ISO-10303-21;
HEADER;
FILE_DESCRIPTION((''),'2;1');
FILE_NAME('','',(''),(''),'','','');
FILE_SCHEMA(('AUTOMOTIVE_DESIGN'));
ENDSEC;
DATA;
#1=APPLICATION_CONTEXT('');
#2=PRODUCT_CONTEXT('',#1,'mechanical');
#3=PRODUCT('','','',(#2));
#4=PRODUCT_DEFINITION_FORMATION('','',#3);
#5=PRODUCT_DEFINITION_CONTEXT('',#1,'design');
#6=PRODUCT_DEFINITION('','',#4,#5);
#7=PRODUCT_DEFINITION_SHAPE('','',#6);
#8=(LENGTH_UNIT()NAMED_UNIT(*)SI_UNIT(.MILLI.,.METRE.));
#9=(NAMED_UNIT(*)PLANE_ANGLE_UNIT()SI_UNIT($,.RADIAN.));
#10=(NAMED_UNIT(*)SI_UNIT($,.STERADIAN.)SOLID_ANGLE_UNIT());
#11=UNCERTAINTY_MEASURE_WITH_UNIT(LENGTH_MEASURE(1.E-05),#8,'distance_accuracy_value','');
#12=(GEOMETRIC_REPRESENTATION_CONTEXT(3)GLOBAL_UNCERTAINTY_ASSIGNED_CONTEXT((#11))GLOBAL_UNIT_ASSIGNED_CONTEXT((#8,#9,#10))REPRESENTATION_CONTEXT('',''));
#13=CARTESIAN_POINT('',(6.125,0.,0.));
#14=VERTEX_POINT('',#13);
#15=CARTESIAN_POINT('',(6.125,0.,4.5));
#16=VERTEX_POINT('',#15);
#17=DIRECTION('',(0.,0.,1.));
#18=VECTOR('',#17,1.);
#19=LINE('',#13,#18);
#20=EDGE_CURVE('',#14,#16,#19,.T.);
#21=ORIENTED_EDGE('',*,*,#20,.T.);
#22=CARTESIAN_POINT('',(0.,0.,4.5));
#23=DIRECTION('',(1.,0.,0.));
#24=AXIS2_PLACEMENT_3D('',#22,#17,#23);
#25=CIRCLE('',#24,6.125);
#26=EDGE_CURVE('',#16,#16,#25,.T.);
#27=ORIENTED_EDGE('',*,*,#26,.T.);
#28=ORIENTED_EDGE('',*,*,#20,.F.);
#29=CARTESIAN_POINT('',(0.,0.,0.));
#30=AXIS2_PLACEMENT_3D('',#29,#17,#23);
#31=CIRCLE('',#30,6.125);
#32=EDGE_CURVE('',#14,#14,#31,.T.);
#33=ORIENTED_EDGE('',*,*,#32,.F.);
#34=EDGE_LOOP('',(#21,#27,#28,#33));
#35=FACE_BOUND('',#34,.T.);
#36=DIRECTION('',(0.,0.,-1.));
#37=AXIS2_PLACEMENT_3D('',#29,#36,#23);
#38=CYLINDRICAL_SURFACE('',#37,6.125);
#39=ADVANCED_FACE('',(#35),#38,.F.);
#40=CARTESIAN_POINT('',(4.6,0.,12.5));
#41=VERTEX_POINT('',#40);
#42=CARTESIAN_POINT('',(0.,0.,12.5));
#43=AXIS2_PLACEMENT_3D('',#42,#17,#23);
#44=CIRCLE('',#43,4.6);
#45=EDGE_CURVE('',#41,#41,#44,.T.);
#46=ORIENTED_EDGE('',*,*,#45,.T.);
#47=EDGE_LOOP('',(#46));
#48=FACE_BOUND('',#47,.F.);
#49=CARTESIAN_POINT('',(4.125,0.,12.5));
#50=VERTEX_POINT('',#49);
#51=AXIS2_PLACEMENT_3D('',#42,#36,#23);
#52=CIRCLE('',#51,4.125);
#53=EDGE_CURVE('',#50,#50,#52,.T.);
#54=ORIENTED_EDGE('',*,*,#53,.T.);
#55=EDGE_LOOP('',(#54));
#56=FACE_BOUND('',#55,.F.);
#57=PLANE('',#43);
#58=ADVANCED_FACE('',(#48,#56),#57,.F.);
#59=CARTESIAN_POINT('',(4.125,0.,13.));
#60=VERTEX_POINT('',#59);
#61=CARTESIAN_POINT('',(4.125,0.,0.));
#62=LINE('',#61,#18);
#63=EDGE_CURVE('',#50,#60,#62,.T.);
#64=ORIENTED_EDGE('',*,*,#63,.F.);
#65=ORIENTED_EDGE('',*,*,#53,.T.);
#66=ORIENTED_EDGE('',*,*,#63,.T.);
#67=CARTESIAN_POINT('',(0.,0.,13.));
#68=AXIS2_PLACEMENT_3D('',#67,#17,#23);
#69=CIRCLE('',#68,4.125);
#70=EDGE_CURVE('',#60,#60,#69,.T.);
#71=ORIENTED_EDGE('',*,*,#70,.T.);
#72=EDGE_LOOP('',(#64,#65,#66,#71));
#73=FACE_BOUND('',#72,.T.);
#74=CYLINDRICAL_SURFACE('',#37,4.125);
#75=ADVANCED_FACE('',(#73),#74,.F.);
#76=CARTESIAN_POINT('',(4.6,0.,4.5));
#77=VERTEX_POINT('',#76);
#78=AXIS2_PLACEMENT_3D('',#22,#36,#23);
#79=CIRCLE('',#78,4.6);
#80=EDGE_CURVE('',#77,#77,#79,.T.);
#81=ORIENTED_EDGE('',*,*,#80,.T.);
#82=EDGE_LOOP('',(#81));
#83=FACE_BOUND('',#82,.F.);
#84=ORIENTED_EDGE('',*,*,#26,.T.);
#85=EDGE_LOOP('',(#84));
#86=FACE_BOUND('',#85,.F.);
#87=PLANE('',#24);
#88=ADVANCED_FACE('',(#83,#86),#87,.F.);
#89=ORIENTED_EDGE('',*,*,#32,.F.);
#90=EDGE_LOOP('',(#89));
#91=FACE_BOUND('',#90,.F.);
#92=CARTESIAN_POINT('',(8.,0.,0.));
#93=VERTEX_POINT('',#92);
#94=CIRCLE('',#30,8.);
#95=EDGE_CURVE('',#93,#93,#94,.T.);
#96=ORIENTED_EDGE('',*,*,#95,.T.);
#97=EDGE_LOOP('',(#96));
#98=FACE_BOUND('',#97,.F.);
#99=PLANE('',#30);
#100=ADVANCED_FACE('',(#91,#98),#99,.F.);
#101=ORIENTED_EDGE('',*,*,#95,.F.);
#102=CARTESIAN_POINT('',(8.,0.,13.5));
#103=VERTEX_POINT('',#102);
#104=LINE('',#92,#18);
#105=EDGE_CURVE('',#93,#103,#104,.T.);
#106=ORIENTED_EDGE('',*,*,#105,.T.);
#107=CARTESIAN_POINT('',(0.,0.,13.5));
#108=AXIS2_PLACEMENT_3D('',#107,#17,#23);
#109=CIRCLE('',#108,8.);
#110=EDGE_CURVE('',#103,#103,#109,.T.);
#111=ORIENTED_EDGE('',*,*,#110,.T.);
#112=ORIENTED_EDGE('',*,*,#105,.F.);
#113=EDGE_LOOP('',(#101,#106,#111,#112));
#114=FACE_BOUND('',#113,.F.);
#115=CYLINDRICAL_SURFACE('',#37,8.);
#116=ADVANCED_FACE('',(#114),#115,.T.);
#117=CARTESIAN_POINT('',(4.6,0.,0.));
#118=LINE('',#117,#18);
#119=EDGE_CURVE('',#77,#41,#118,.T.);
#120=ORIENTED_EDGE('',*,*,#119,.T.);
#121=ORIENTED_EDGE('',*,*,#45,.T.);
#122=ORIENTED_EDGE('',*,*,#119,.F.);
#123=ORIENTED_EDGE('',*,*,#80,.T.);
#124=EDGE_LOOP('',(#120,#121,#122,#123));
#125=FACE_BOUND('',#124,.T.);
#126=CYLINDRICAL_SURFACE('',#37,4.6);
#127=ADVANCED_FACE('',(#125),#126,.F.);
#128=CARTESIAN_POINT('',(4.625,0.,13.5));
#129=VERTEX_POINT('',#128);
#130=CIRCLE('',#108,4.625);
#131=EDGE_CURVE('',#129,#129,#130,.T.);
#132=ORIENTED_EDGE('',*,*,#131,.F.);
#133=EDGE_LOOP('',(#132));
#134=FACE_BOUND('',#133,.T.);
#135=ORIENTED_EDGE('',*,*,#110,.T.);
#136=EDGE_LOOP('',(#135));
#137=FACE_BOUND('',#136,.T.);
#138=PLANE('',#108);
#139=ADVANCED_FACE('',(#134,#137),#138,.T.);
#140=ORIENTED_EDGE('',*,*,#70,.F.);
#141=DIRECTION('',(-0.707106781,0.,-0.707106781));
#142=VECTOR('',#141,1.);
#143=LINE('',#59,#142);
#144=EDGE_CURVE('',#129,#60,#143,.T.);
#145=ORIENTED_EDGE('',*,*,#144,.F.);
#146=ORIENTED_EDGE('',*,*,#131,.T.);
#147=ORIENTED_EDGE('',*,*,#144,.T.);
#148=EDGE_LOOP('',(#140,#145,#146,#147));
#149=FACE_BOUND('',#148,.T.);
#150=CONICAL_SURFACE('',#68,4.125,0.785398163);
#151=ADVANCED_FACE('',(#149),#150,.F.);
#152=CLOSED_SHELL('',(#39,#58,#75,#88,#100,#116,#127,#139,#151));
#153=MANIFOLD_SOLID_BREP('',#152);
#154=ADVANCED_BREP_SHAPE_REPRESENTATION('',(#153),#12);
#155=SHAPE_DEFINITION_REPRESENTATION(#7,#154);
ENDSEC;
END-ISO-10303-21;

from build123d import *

# Parameters (mm, degrees)
F0_R     = 8
F0_R_2   = 4.125
F1_DEPTH = 13.5
F2_R     = 4.6
F3_DEPTH = 12.5
F4_R     = 6.125
F5_DEPTH = 4.5
F6_SIZE  = 0.5


with BuildPart() as f1:
    # F0 (on Top) → F1 (new body)
    with BuildSketch(Plane.XY):
        Circle(F0_R)
        Circle(F0_R_2, mode=Mode.SUBTRACT)
    extrude(amount=F1_DEPTH)

    # F2 (on Top) → F3 (cut)
    with BuildSketch(Plane.XY):
        Circle(F2_R)
    extrude(amount=F3_DEPTH, mode=Mode.SUBTRACT)

    # F4 (on Top) → F5 (cut)
    with BuildSketch(Plane.XY):
        Circle(F4_R)
    extrude(amount=F5_DEPTH, mode=Mode.SUBTRACT)

    # F6
    f6_edges = [f1.edges().sort_by_distance(p)[0] for p in [
        (-4.125, 0, 13.5),
    ]]
    chamfer(f6_edges, length=F6_SIZE)


solid = f1.part
